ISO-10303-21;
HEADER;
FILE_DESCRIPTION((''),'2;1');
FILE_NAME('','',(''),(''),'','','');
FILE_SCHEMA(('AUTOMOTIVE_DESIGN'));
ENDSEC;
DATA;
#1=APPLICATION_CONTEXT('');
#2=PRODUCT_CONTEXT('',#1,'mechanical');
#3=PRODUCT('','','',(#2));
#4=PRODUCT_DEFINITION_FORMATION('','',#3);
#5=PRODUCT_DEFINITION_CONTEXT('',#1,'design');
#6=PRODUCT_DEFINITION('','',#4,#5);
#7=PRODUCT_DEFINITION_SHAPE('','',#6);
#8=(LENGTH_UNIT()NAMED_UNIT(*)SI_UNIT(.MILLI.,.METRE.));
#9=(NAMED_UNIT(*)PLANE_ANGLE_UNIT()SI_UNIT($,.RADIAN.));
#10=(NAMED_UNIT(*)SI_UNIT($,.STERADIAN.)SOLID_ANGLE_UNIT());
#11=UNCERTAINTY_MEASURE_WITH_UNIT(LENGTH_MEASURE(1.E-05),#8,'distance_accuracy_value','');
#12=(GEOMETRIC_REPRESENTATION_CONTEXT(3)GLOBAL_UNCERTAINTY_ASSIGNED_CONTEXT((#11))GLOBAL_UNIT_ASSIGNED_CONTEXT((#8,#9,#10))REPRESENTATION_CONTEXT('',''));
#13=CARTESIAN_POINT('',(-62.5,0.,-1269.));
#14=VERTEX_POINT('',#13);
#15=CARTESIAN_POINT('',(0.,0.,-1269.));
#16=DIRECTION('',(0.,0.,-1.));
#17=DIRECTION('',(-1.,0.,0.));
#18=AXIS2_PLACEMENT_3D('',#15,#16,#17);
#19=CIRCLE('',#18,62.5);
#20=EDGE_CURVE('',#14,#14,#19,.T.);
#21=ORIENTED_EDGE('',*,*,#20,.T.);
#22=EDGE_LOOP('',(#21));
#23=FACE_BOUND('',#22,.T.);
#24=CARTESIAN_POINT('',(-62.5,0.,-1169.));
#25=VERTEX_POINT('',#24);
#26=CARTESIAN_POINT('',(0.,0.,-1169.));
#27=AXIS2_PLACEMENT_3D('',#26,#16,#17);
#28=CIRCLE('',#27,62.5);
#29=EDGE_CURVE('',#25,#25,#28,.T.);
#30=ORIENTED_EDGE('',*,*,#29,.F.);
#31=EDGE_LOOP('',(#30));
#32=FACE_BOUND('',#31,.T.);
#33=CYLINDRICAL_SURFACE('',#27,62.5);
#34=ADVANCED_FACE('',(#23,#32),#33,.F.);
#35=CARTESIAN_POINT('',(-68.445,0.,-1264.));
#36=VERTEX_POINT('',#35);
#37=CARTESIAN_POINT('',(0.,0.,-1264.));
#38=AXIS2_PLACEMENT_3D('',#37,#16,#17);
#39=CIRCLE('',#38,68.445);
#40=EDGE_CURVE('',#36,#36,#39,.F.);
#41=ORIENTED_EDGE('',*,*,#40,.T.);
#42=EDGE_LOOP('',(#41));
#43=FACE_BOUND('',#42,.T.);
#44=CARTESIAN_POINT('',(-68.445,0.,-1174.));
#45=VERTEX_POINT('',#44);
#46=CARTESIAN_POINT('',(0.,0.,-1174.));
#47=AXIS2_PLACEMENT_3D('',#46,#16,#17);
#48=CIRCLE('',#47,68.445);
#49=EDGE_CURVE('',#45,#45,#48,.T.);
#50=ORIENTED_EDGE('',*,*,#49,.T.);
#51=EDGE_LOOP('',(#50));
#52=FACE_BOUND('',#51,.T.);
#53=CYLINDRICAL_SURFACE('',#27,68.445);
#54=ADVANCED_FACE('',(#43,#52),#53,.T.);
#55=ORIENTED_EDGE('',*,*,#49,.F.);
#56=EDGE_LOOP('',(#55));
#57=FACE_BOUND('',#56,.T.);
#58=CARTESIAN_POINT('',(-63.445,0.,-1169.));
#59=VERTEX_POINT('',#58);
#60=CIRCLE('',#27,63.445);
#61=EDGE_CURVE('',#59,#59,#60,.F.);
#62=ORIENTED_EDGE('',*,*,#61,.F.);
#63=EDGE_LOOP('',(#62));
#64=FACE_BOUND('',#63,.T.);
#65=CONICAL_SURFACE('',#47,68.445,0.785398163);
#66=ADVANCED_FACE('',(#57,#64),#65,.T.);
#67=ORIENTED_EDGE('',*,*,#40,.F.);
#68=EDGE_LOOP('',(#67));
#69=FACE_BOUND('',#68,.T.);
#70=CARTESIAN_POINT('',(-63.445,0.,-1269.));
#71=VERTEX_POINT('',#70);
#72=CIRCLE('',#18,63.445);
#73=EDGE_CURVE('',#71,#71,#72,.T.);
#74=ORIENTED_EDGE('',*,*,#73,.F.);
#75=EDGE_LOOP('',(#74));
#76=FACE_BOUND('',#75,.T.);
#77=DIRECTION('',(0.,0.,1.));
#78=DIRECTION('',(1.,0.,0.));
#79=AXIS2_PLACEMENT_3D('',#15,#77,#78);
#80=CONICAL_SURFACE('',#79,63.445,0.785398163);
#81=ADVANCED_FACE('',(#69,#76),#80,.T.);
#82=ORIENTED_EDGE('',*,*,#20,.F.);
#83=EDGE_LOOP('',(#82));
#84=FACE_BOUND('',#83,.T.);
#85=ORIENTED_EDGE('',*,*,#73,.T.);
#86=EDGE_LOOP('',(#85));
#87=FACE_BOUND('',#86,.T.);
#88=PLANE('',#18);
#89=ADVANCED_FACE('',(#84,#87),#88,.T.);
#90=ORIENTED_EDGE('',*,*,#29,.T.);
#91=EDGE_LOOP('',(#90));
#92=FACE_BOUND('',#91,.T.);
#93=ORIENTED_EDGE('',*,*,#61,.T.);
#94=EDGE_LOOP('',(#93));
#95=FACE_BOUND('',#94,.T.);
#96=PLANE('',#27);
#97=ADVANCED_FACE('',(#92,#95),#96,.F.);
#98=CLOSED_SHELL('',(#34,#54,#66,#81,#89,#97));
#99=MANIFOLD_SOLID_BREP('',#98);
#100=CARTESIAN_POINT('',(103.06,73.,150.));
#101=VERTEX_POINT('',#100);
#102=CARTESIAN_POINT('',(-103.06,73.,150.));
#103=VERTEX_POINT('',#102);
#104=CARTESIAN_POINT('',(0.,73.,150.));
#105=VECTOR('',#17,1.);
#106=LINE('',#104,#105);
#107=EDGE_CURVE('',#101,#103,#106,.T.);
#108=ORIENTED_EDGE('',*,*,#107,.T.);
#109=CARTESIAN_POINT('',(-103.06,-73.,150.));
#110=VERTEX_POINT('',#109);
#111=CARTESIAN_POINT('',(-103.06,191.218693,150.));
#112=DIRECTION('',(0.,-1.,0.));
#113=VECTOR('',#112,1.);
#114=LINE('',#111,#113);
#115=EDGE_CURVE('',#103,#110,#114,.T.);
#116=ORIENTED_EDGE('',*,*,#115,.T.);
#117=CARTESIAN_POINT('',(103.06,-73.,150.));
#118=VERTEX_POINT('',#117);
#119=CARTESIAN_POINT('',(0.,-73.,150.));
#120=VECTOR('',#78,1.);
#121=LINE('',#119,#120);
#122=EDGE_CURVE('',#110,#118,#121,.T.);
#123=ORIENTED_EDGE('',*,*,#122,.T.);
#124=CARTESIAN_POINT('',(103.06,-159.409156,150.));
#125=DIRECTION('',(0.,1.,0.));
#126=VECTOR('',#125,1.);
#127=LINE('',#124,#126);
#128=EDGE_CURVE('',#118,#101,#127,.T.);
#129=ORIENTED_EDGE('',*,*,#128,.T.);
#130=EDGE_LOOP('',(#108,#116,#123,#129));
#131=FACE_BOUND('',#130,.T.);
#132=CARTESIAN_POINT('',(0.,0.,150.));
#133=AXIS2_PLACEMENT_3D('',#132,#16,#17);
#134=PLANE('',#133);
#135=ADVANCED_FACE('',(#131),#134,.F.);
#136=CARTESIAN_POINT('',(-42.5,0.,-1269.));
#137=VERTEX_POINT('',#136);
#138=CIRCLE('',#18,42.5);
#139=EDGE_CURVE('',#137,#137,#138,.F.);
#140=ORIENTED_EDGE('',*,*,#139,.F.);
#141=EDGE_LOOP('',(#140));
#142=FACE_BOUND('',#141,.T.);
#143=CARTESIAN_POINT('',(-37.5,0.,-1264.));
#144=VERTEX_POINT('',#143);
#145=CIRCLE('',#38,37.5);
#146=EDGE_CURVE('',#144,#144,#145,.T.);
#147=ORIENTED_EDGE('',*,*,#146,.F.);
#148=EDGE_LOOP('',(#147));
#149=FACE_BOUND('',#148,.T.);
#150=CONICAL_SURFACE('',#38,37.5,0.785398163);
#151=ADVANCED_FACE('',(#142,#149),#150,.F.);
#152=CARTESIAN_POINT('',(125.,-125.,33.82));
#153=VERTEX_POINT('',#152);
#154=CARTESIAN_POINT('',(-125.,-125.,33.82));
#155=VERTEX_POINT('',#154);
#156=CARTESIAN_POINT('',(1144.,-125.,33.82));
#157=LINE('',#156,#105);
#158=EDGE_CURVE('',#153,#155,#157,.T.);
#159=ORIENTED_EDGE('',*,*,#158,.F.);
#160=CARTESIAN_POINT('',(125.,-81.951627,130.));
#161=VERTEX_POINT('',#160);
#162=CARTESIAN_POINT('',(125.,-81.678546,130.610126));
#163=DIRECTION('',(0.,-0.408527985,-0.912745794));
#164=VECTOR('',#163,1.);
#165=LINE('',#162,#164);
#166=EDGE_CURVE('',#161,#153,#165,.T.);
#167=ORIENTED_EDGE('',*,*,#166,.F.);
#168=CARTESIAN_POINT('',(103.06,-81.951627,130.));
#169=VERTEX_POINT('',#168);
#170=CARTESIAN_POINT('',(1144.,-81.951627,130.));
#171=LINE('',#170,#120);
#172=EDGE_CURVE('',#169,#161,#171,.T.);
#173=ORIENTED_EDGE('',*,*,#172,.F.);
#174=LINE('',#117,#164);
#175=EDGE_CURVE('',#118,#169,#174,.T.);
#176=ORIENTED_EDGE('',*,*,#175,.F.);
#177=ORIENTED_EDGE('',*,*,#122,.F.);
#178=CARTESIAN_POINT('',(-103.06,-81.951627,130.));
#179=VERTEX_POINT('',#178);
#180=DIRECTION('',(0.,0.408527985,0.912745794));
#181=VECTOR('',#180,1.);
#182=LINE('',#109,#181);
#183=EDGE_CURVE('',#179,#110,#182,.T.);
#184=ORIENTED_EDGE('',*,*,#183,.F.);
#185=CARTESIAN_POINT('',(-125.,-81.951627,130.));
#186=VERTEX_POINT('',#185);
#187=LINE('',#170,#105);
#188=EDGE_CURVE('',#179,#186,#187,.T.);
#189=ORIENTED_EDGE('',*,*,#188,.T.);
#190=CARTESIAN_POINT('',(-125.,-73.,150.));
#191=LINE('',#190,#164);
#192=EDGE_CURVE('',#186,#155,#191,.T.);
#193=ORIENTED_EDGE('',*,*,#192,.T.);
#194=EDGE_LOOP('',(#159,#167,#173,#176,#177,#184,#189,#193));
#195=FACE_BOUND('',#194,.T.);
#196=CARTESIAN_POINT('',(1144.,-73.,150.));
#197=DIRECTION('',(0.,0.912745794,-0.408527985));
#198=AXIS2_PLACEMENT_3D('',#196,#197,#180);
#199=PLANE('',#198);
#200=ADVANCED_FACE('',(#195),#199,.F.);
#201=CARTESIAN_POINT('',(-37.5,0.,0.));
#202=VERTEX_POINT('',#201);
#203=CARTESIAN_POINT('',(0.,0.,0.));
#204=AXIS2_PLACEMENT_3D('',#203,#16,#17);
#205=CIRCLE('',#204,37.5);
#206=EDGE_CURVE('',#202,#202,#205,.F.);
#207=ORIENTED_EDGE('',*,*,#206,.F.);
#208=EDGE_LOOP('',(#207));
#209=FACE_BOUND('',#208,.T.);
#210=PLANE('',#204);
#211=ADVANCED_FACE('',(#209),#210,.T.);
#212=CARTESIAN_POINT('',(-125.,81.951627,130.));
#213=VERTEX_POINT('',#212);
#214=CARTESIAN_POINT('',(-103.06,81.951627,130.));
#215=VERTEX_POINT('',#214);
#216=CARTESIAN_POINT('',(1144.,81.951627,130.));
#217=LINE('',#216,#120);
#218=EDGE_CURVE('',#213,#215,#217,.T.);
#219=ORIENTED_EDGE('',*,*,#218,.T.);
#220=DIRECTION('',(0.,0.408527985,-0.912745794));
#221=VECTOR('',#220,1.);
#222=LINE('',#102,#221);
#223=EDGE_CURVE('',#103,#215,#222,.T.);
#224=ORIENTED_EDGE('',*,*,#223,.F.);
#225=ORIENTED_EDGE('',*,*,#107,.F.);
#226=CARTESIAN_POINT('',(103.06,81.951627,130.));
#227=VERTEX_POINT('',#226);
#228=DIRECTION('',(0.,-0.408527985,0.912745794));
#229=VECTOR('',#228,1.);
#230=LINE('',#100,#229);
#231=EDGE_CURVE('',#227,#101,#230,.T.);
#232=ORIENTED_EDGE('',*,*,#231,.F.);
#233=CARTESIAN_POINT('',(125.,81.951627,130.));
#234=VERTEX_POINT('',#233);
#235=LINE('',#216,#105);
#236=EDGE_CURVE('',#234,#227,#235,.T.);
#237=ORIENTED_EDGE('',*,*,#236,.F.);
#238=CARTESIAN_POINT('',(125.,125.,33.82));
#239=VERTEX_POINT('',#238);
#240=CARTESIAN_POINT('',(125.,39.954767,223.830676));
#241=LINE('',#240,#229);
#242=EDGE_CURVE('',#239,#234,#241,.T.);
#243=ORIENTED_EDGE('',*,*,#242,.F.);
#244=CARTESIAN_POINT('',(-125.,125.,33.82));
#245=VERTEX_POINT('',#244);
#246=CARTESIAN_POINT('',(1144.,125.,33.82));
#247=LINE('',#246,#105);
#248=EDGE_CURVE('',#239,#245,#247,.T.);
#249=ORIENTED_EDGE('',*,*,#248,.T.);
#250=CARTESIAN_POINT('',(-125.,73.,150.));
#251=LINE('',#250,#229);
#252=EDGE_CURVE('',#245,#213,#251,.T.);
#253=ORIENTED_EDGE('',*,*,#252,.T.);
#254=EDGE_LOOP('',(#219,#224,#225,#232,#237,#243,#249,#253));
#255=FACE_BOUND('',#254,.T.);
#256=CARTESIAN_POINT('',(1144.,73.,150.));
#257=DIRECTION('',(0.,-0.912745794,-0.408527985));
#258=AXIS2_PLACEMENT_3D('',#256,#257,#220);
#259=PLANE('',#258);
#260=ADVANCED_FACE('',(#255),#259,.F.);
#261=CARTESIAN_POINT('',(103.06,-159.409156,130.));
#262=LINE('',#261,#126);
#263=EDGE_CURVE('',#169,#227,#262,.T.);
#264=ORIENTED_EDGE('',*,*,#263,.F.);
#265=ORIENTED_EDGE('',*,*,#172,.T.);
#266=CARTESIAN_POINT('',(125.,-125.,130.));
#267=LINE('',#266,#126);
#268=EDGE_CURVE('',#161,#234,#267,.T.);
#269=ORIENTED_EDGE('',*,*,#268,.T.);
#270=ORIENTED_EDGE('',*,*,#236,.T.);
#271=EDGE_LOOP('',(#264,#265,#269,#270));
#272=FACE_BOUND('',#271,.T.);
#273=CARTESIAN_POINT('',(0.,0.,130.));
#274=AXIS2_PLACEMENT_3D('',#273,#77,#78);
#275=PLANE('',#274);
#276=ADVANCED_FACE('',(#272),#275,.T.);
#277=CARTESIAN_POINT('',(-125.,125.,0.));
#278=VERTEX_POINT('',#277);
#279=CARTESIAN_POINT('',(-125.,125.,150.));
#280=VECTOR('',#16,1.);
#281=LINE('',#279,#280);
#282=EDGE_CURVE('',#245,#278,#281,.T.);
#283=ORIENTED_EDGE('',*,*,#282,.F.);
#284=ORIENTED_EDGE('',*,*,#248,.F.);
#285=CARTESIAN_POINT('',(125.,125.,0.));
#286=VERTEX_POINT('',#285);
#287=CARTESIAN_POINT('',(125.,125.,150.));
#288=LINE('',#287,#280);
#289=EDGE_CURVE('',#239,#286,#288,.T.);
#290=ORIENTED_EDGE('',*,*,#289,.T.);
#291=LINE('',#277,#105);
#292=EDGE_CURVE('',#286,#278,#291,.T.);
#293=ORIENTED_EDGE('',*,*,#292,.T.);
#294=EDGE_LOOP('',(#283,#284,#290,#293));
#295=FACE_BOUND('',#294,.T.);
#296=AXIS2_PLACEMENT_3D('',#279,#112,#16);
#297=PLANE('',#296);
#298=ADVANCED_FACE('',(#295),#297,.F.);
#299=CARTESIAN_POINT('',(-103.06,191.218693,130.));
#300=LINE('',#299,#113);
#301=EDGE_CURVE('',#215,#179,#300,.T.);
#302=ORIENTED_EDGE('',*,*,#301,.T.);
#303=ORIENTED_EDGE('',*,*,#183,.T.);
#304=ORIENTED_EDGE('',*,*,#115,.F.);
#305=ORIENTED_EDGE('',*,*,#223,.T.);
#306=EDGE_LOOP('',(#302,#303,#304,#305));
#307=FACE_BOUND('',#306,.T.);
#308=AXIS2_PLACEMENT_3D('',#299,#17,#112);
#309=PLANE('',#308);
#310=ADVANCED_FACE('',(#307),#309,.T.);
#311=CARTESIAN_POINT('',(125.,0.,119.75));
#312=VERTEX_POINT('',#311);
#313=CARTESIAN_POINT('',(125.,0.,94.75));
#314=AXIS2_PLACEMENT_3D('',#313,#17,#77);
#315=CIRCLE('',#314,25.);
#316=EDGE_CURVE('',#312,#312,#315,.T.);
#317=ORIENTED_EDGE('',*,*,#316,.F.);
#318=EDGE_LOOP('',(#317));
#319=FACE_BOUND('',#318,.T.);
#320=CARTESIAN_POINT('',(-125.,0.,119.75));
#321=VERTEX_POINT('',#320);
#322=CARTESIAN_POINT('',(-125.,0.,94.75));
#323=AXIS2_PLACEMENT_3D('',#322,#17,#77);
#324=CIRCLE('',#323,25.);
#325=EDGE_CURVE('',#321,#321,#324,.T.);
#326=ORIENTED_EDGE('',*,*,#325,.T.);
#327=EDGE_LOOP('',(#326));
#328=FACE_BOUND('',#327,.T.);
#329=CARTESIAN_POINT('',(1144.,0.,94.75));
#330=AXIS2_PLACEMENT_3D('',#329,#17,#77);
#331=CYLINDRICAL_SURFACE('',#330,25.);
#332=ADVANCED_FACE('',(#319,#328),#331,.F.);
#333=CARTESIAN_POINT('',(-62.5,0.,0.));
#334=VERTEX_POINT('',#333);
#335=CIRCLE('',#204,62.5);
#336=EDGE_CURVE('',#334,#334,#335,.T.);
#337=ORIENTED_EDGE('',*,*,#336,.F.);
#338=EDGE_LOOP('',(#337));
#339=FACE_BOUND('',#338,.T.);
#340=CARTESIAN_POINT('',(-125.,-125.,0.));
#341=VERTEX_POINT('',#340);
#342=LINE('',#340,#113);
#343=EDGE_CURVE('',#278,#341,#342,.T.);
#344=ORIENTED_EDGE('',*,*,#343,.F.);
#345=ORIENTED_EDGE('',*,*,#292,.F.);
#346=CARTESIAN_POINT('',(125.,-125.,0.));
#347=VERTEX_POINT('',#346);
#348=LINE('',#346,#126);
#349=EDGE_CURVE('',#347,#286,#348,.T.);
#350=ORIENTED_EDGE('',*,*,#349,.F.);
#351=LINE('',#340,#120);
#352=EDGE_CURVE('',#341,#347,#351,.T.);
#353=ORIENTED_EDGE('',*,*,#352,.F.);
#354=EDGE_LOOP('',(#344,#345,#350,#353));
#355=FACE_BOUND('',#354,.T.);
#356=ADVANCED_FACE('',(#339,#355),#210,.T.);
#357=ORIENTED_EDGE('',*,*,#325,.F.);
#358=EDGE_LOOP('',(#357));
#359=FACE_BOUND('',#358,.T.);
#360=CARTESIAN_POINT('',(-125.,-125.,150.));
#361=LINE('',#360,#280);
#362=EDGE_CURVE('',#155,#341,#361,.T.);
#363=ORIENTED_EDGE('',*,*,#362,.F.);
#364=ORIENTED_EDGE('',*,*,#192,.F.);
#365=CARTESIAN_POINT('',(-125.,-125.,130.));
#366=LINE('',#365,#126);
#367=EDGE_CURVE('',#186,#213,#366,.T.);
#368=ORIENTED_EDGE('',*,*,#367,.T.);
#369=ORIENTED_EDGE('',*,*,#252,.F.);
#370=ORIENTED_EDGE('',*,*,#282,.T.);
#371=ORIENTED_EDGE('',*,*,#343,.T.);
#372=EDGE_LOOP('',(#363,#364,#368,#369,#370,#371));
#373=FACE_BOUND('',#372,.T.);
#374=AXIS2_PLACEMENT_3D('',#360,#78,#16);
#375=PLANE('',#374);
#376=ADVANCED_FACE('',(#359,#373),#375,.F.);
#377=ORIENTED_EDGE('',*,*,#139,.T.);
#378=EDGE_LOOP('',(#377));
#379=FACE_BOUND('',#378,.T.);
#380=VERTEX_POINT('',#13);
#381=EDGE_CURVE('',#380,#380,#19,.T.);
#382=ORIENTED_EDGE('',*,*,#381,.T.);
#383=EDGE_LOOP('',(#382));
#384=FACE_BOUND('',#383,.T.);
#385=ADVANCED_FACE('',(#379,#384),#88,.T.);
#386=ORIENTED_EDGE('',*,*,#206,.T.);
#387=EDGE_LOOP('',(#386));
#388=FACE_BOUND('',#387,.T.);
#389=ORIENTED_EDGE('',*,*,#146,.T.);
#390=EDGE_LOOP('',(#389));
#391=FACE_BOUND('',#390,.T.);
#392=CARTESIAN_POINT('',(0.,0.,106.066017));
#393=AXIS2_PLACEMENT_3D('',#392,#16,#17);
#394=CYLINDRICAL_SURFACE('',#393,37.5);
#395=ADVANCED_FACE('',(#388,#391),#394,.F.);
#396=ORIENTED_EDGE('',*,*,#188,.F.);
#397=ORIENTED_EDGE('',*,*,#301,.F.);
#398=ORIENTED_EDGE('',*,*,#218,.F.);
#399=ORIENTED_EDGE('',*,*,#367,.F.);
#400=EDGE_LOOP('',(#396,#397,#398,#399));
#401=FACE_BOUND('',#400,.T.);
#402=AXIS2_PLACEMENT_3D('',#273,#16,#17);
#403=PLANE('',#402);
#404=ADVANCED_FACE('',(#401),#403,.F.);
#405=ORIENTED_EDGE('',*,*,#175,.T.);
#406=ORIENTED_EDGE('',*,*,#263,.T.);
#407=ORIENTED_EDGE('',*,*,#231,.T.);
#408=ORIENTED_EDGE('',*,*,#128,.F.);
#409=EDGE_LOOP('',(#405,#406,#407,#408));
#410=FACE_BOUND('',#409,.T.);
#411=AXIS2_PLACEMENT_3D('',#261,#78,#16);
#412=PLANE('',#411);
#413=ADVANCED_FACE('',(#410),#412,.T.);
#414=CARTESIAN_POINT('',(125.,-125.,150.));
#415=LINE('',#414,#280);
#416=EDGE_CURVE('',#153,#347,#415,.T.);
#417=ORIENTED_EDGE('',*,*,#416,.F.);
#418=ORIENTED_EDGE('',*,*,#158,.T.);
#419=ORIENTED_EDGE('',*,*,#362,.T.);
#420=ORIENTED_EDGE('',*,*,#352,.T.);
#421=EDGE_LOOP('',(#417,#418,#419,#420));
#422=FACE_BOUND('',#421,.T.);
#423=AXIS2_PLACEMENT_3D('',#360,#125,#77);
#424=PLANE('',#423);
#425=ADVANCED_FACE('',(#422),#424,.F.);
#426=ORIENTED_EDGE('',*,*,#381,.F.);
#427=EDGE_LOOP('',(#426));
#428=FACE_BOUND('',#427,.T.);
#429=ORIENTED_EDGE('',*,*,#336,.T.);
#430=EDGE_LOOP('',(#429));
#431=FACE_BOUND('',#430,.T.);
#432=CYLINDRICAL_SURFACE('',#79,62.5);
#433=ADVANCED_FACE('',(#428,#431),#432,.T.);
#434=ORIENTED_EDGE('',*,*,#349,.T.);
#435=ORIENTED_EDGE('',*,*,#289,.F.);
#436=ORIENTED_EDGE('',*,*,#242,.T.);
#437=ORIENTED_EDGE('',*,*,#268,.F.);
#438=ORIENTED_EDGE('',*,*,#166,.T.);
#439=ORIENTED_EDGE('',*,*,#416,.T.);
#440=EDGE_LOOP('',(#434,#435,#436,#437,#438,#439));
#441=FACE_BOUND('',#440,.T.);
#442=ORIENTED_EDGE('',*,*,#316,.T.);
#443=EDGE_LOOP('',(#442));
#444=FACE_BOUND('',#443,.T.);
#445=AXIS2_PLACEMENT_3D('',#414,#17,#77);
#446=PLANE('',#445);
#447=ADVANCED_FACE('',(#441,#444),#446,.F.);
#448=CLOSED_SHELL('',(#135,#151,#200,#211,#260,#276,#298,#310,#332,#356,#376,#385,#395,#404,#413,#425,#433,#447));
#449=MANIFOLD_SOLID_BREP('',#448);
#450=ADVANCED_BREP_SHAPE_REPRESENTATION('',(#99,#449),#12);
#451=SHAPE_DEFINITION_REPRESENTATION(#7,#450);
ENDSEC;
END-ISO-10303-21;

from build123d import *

# Parameters (mm, degrees)
SKETCH1_W           = 250
SKETCH1_H           = 250
BOSS_EXTRUDE1_DEPTH = 150
SKETCH2_R           = 62.5
BOSS_EXTRUDE2_DEPTH = 1269
SKETCH3_R           = 25
CUT_EXTRUDE1_DEPTH  = 1269
SKETCH4_R           = 37.5
CUT_EXTRUDE2_DEPTH  = 1269
SKETCH5_W           = 120.008707334
SKETCH5_H           = 350.62784974
SKETCH5_W_2         = 99.043330751
CUT_EXTRUDE3_DEPTH  = 20
SKETCH6_R           = 68.445
SKETCH6_R_2         = 62.5
BOSS_EXTRUDE3_DEPTH = 100
CHAMFER1_SIZE       = 5
CHAMFER2_SIZE       = 5


with BuildPart() as part:
    # Sketch1 → Boss-Extrude1 (new body)
    with BuildSketch(Plane.XY):
        Rectangle(SKETCH1_W, SKETCH1_H)
    extrude(amount=BOSS_EXTRUDE1_DEPTH)

    # Sketch2 → Boss-Extrude2 (add)
    with BuildSketch(Plane(origin=(0, 0, 0), x_dir=(-1, 0, 0), z_dir=(0, 0, -1))):
        Circle(SKETCH2_R)
    extrude(amount=BOSS_EXTRUDE2_DEPTH)

    # Sketch3 → Cut-Extrude1 (cut)
    with BuildSketch(Plane.ZY.offset(125)):
        with Locations((94.75, 0)):
            Circle(SKETCH3_R)
        Polygon((33.82, -125), (150, -125), (150, -73), align=None)
        Polygon((150, 125), (150, 73), (33.82, 125), align=None)
    extrude(amount=-CUT_EXTRUDE1_DEPTH, mode=Mode.SUBTRACT)

    # Sketch4 → Cut-Extrude2 (cut)
    with BuildSketch(Plane(origin=(0, 0, -1269), x_dir=(-1, 0, 0), z_dir=(0, 0, -1))):
        Circle(SKETCH4_R)
    extrude(amount=-CUT_EXTRUDE2_DEPTH, mode=Mode.SUBTRACT)

    # Sketch5 → Cut-Extrude3 (cut)
    with BuildSketch(Plane.XY.offset(150)):
        with Locations((-163.064353667, 15.904768442)):
            Rectangle(SKETCH5_W, SKETCH5_H)
        with Locations((152.581665375, 15.904768442)):
            Rectangle(SKETCH5_W_2, SKETCH5_H)
    extrude(amount=-CUT_EXTRUDE3_DEPTH, mode=Mode.SUBTRACT)

    # Chamfer2
    chamfer2_edges = [part.edges().sort_by_distance(p)[0] for p in [
        (37.5, 0, -1269),
    ]]
    chamfer(chamfer2_edges, length=CHAMFER2_SIZE)


with BuildPart() as body_2:
    # Sketch6 → Boss-Extrude3 (new body)
    with BuildSketch(Plane(origin=(0, 0, -1269), x_dir=(-1, 0, 0), z_dir=(0, 0, -1))):
        Circle(SKETCH6_R)
        Circle(SKETCH6_R_2, mode=Mode.SUBTRACT)
    extrude(amount=-BOSS_EXTRUDE3_DEPTH)

    # Chamfer1
    chamfer1_edges = [body_2.edges().sort_by_distance(p)[0] for p in [
        (68.445, 0, -1269),
        (68.445, 0, -1169),
    ]]
    chamfer(chamfer1_edges, length=CHAMFER1_SIZE)


solid = Compound([part.part, body_2.part])
